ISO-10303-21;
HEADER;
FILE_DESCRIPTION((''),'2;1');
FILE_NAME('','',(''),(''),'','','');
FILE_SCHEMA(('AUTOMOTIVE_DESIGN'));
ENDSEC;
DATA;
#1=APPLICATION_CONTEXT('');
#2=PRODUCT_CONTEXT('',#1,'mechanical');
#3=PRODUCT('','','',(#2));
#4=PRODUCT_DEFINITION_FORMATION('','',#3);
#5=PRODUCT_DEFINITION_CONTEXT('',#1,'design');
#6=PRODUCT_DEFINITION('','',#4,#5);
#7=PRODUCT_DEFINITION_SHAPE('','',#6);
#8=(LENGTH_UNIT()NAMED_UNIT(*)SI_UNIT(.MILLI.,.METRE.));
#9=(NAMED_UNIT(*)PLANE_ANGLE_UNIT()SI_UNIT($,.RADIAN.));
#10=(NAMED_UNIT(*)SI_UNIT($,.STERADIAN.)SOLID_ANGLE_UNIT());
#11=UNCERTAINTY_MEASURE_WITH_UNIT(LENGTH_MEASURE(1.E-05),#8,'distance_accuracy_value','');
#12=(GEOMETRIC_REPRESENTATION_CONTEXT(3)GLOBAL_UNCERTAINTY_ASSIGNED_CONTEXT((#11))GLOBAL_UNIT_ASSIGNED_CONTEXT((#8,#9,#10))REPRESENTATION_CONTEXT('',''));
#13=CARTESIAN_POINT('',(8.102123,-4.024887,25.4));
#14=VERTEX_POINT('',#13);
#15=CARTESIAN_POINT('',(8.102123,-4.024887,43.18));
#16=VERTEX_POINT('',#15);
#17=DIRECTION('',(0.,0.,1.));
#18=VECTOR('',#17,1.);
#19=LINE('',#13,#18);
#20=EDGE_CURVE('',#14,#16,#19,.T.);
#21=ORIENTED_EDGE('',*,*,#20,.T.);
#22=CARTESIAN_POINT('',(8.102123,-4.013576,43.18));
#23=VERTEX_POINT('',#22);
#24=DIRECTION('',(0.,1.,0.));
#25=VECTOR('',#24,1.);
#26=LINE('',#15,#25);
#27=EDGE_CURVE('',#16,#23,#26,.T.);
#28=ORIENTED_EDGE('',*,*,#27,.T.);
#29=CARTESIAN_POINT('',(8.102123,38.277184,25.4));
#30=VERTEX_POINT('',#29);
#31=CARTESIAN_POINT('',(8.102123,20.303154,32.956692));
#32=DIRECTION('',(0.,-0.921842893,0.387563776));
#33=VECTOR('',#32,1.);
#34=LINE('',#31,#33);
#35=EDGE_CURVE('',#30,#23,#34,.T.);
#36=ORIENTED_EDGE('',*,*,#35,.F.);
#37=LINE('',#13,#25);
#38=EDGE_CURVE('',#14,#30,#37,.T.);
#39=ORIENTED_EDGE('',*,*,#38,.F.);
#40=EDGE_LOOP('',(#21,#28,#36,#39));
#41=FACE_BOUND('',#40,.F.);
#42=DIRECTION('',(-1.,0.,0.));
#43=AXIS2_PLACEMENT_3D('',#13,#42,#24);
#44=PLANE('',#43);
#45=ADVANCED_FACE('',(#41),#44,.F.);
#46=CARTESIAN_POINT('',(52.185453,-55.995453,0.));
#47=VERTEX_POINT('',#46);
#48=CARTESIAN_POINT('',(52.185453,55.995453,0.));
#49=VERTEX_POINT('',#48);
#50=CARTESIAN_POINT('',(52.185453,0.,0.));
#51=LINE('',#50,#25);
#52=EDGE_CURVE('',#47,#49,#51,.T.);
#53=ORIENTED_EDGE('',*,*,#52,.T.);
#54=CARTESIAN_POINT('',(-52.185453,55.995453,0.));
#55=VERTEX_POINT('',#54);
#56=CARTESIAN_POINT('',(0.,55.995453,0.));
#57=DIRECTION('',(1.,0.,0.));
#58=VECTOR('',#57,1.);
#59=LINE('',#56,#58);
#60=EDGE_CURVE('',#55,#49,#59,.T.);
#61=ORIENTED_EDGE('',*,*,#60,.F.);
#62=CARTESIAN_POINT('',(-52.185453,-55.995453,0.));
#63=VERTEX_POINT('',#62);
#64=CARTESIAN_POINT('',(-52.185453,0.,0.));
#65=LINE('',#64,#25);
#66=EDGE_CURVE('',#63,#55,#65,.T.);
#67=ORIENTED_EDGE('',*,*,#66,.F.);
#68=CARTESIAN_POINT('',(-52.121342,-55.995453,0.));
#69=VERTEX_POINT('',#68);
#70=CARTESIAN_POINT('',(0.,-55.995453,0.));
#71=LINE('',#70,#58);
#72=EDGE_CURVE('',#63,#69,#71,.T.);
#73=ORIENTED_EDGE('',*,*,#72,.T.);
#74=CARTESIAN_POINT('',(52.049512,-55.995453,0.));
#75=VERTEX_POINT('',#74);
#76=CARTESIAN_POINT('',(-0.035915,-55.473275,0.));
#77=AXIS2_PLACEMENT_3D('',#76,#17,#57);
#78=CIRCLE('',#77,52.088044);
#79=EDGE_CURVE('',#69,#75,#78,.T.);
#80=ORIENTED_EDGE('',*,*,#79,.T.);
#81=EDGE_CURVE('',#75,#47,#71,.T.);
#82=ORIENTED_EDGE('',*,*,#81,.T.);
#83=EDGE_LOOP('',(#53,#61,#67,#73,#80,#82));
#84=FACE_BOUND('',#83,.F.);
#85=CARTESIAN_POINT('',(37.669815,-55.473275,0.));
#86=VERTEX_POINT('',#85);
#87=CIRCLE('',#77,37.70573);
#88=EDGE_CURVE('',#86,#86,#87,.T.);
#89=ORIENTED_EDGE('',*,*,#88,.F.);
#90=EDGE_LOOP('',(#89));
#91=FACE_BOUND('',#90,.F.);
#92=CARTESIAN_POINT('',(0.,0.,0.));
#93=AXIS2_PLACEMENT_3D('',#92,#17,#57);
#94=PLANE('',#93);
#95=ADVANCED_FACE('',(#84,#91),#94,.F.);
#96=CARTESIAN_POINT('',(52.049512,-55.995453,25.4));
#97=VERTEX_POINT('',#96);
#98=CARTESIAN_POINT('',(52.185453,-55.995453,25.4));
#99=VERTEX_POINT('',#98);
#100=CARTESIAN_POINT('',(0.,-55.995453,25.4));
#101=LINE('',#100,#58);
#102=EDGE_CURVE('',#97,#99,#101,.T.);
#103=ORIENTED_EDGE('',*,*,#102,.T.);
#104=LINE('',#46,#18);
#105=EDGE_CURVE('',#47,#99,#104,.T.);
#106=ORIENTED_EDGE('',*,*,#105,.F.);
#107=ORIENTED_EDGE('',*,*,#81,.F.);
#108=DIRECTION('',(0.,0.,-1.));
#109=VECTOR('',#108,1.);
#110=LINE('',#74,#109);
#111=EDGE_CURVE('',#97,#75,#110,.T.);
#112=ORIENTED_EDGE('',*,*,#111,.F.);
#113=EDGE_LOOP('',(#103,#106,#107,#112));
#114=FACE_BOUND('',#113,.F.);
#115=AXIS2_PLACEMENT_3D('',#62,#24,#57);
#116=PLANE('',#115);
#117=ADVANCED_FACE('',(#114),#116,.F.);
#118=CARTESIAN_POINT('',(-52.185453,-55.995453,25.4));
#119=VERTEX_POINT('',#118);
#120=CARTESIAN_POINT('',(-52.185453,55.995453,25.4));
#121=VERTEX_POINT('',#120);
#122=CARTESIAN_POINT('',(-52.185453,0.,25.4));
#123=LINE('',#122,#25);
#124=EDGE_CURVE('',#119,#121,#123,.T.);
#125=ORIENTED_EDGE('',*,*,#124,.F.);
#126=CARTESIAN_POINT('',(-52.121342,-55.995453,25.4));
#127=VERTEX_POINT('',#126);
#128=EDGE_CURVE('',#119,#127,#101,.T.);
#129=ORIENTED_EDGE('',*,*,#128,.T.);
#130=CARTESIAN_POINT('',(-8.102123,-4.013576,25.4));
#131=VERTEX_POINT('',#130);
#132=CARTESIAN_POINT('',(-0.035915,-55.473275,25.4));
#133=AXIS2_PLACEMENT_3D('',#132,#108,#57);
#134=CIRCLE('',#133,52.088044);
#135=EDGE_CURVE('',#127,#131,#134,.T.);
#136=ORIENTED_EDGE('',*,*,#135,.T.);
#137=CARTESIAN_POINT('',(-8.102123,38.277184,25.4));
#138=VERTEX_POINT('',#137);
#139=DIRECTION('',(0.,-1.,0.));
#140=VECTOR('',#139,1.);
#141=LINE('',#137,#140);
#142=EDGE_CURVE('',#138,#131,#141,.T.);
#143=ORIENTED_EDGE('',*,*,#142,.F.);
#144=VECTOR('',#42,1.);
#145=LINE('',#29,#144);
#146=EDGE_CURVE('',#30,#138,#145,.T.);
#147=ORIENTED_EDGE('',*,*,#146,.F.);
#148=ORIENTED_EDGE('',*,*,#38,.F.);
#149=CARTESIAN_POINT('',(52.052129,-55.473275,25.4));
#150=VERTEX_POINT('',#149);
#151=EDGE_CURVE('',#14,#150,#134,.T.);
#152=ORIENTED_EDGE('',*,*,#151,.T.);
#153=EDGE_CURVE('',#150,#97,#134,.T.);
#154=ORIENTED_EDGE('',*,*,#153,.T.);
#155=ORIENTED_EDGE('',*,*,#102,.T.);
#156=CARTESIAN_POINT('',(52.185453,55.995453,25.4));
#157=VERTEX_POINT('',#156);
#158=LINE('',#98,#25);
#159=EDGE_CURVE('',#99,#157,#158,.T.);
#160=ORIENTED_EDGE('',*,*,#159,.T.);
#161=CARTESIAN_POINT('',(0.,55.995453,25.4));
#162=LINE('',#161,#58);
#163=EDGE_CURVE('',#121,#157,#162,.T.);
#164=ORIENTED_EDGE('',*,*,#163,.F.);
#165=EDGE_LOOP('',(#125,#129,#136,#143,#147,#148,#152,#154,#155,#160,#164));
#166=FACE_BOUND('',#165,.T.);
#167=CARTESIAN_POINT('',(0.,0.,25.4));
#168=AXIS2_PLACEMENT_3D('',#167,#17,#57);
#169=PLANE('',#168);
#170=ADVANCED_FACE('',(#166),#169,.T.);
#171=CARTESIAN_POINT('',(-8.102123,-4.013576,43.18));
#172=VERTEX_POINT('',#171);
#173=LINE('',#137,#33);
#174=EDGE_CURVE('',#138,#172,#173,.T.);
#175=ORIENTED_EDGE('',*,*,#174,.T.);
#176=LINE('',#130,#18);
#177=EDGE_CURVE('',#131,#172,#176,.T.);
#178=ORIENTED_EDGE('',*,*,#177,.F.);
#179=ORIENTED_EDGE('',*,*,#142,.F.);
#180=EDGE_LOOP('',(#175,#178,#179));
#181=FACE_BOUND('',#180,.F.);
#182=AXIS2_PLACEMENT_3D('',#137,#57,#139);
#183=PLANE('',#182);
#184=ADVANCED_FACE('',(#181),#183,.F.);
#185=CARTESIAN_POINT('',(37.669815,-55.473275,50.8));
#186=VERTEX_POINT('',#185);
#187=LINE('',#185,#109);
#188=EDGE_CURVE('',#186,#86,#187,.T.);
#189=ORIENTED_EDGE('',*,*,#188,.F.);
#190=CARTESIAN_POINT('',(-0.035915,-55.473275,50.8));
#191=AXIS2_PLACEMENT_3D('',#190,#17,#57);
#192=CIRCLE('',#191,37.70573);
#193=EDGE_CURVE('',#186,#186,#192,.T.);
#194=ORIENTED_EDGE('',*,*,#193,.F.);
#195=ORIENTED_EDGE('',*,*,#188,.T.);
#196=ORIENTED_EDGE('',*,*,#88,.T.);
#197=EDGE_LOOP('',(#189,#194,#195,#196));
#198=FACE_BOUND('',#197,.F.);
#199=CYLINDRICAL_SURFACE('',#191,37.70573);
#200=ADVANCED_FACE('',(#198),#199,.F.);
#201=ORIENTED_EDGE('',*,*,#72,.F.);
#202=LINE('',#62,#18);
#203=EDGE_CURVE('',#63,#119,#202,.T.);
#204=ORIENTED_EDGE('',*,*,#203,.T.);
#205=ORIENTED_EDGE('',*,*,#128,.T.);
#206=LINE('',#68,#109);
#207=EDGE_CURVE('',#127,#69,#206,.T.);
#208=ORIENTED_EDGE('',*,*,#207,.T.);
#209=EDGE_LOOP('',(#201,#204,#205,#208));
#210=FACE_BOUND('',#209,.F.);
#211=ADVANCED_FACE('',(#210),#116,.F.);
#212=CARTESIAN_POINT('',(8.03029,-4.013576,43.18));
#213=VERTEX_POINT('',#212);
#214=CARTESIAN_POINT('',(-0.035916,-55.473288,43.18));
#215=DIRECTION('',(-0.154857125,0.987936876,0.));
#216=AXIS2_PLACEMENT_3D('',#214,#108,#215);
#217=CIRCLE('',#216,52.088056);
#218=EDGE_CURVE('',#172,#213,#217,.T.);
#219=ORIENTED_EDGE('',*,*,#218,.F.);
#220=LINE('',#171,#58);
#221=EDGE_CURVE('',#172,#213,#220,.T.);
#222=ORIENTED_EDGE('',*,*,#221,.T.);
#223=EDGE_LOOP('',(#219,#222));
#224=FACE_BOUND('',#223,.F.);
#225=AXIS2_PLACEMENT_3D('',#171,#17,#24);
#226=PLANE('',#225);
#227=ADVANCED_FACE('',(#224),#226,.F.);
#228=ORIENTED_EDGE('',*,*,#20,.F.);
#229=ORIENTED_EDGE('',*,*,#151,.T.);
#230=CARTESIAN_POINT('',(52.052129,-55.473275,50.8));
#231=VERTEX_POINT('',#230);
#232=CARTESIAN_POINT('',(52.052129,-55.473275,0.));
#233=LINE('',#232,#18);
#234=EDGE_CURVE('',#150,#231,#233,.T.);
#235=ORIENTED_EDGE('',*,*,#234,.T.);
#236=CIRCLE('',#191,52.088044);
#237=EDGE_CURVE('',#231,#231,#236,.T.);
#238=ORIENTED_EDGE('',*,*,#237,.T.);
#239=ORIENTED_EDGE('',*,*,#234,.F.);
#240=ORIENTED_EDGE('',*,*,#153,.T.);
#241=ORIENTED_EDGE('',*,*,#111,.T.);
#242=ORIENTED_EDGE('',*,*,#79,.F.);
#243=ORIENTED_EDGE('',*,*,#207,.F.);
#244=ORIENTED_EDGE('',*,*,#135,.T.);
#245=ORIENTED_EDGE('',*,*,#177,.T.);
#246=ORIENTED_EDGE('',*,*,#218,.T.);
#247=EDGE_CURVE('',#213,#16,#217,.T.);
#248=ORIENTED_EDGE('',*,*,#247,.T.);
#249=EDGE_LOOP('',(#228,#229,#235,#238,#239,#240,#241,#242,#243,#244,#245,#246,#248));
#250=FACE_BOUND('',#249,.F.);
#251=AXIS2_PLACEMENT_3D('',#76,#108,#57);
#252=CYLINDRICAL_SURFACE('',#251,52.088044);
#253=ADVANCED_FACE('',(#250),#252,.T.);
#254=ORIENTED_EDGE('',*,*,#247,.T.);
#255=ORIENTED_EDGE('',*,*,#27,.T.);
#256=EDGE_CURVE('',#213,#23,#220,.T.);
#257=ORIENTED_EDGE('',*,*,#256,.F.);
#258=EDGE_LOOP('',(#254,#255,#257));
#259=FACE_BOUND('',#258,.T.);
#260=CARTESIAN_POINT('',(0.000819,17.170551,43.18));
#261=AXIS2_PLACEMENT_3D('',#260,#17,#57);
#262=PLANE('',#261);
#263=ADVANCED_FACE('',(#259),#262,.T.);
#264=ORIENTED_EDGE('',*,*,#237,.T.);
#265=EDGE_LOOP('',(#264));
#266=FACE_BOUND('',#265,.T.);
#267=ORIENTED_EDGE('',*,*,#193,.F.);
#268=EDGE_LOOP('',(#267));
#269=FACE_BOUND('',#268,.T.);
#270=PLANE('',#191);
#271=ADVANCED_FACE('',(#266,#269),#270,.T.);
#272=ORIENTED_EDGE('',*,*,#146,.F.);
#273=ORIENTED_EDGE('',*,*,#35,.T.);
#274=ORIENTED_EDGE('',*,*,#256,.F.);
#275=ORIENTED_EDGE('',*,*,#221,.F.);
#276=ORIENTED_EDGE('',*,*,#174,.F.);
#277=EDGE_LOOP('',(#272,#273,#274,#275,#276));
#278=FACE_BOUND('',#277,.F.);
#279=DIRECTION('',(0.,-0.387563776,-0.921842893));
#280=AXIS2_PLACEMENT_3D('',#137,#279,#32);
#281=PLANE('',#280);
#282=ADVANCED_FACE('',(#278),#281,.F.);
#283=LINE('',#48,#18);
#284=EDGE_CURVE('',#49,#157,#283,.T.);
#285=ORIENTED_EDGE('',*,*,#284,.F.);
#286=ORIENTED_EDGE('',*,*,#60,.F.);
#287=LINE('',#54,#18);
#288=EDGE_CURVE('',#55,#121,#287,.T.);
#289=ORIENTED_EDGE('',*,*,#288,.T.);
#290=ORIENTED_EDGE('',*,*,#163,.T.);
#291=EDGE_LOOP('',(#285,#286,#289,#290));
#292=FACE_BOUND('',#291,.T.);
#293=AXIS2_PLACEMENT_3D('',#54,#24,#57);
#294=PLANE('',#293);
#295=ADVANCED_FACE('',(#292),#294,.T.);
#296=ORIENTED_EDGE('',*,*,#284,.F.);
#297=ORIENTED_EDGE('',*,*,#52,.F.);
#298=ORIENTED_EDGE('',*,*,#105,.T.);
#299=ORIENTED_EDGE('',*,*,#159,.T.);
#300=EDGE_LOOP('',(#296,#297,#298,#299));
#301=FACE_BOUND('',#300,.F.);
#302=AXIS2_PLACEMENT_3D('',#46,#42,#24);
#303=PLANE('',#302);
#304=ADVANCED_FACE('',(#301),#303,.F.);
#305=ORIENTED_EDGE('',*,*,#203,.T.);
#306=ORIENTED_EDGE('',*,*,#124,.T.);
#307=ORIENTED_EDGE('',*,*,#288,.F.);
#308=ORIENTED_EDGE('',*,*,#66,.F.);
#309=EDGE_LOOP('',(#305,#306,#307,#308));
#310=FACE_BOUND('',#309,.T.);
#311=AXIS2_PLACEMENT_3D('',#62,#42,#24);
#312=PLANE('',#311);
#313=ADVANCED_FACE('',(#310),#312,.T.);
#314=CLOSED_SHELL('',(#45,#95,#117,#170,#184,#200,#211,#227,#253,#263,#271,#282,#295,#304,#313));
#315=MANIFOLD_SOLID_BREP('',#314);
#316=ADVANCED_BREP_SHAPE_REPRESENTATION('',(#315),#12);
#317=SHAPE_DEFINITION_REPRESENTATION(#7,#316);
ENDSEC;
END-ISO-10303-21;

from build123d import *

# Parameters (mm, degrees)
F0_W     = 104.370906
F0_H     = 111.990906
F2_DEPTH = 25.4
F1_R     = 52.088044
F3_DEPTH = 50.8
F4_R     = 37.70573
F5_DEPTH = 50.801
F7_DEPTH = 17.78
F9_DEPTH = 60.288576


with BuildPart() as f2:
    # F0 (on Top) → F2 (new body)
    with BuildSketch(Plane.XY):
        Rectangle(F0_W, F0_H)
    extrude(amount=F2_DEPTH)

    # F1 (on Top) → F3 (join)
    with BuildSketch(Plane.XY):
        with Locations((-0.035915, -55.473275)):
            Circle(F1_R)
    extrude(amount=F3_DEPTH)

    # F4 (on face) → F5 (cut, through all)
    with BuildSketch(Plane.XY.offset(50.8)):
        with Locations((-0.035915, -55.473275)):
            Circle(F4_R)
    extrude(amount=-F5_DEPTH, mode=Mode.SUBTRACT)

    # F6 (on face) → F7 (join)
    with BuildSketch(Plane.XY.offset(25.4)):
        with BuildLine():
            ThreePointArc((-8.102123, -4.013576), (0.000443, -3.385244), (8.102123, -4.024887))
            Line((8.102123, -4.024887), (8.102123, 38.277184))
            Line((8.102123, 38.277184), (-8.102123, 38.277184))
            Line((-8.102123, 38.277184), (-8.102123, -4.013576))
        make_face()
    extrude(amount=F7_DEPTH)

    # F8 (on face) → F9 (cut, through all)
    with BuildSketch(Plane(origin=(-8.102123, 0, 0), x_dir=(0, -1, 0), z_dir=(-1, 0, 0))):
        Polygon((-38.277184, 43.18), (-38.277184, 25.4), (4.013576, 43.18), align=None)
    extrude(amount=-F9_DEPTH, mode=Mode.SUBTRACT)


solid = f2.part
